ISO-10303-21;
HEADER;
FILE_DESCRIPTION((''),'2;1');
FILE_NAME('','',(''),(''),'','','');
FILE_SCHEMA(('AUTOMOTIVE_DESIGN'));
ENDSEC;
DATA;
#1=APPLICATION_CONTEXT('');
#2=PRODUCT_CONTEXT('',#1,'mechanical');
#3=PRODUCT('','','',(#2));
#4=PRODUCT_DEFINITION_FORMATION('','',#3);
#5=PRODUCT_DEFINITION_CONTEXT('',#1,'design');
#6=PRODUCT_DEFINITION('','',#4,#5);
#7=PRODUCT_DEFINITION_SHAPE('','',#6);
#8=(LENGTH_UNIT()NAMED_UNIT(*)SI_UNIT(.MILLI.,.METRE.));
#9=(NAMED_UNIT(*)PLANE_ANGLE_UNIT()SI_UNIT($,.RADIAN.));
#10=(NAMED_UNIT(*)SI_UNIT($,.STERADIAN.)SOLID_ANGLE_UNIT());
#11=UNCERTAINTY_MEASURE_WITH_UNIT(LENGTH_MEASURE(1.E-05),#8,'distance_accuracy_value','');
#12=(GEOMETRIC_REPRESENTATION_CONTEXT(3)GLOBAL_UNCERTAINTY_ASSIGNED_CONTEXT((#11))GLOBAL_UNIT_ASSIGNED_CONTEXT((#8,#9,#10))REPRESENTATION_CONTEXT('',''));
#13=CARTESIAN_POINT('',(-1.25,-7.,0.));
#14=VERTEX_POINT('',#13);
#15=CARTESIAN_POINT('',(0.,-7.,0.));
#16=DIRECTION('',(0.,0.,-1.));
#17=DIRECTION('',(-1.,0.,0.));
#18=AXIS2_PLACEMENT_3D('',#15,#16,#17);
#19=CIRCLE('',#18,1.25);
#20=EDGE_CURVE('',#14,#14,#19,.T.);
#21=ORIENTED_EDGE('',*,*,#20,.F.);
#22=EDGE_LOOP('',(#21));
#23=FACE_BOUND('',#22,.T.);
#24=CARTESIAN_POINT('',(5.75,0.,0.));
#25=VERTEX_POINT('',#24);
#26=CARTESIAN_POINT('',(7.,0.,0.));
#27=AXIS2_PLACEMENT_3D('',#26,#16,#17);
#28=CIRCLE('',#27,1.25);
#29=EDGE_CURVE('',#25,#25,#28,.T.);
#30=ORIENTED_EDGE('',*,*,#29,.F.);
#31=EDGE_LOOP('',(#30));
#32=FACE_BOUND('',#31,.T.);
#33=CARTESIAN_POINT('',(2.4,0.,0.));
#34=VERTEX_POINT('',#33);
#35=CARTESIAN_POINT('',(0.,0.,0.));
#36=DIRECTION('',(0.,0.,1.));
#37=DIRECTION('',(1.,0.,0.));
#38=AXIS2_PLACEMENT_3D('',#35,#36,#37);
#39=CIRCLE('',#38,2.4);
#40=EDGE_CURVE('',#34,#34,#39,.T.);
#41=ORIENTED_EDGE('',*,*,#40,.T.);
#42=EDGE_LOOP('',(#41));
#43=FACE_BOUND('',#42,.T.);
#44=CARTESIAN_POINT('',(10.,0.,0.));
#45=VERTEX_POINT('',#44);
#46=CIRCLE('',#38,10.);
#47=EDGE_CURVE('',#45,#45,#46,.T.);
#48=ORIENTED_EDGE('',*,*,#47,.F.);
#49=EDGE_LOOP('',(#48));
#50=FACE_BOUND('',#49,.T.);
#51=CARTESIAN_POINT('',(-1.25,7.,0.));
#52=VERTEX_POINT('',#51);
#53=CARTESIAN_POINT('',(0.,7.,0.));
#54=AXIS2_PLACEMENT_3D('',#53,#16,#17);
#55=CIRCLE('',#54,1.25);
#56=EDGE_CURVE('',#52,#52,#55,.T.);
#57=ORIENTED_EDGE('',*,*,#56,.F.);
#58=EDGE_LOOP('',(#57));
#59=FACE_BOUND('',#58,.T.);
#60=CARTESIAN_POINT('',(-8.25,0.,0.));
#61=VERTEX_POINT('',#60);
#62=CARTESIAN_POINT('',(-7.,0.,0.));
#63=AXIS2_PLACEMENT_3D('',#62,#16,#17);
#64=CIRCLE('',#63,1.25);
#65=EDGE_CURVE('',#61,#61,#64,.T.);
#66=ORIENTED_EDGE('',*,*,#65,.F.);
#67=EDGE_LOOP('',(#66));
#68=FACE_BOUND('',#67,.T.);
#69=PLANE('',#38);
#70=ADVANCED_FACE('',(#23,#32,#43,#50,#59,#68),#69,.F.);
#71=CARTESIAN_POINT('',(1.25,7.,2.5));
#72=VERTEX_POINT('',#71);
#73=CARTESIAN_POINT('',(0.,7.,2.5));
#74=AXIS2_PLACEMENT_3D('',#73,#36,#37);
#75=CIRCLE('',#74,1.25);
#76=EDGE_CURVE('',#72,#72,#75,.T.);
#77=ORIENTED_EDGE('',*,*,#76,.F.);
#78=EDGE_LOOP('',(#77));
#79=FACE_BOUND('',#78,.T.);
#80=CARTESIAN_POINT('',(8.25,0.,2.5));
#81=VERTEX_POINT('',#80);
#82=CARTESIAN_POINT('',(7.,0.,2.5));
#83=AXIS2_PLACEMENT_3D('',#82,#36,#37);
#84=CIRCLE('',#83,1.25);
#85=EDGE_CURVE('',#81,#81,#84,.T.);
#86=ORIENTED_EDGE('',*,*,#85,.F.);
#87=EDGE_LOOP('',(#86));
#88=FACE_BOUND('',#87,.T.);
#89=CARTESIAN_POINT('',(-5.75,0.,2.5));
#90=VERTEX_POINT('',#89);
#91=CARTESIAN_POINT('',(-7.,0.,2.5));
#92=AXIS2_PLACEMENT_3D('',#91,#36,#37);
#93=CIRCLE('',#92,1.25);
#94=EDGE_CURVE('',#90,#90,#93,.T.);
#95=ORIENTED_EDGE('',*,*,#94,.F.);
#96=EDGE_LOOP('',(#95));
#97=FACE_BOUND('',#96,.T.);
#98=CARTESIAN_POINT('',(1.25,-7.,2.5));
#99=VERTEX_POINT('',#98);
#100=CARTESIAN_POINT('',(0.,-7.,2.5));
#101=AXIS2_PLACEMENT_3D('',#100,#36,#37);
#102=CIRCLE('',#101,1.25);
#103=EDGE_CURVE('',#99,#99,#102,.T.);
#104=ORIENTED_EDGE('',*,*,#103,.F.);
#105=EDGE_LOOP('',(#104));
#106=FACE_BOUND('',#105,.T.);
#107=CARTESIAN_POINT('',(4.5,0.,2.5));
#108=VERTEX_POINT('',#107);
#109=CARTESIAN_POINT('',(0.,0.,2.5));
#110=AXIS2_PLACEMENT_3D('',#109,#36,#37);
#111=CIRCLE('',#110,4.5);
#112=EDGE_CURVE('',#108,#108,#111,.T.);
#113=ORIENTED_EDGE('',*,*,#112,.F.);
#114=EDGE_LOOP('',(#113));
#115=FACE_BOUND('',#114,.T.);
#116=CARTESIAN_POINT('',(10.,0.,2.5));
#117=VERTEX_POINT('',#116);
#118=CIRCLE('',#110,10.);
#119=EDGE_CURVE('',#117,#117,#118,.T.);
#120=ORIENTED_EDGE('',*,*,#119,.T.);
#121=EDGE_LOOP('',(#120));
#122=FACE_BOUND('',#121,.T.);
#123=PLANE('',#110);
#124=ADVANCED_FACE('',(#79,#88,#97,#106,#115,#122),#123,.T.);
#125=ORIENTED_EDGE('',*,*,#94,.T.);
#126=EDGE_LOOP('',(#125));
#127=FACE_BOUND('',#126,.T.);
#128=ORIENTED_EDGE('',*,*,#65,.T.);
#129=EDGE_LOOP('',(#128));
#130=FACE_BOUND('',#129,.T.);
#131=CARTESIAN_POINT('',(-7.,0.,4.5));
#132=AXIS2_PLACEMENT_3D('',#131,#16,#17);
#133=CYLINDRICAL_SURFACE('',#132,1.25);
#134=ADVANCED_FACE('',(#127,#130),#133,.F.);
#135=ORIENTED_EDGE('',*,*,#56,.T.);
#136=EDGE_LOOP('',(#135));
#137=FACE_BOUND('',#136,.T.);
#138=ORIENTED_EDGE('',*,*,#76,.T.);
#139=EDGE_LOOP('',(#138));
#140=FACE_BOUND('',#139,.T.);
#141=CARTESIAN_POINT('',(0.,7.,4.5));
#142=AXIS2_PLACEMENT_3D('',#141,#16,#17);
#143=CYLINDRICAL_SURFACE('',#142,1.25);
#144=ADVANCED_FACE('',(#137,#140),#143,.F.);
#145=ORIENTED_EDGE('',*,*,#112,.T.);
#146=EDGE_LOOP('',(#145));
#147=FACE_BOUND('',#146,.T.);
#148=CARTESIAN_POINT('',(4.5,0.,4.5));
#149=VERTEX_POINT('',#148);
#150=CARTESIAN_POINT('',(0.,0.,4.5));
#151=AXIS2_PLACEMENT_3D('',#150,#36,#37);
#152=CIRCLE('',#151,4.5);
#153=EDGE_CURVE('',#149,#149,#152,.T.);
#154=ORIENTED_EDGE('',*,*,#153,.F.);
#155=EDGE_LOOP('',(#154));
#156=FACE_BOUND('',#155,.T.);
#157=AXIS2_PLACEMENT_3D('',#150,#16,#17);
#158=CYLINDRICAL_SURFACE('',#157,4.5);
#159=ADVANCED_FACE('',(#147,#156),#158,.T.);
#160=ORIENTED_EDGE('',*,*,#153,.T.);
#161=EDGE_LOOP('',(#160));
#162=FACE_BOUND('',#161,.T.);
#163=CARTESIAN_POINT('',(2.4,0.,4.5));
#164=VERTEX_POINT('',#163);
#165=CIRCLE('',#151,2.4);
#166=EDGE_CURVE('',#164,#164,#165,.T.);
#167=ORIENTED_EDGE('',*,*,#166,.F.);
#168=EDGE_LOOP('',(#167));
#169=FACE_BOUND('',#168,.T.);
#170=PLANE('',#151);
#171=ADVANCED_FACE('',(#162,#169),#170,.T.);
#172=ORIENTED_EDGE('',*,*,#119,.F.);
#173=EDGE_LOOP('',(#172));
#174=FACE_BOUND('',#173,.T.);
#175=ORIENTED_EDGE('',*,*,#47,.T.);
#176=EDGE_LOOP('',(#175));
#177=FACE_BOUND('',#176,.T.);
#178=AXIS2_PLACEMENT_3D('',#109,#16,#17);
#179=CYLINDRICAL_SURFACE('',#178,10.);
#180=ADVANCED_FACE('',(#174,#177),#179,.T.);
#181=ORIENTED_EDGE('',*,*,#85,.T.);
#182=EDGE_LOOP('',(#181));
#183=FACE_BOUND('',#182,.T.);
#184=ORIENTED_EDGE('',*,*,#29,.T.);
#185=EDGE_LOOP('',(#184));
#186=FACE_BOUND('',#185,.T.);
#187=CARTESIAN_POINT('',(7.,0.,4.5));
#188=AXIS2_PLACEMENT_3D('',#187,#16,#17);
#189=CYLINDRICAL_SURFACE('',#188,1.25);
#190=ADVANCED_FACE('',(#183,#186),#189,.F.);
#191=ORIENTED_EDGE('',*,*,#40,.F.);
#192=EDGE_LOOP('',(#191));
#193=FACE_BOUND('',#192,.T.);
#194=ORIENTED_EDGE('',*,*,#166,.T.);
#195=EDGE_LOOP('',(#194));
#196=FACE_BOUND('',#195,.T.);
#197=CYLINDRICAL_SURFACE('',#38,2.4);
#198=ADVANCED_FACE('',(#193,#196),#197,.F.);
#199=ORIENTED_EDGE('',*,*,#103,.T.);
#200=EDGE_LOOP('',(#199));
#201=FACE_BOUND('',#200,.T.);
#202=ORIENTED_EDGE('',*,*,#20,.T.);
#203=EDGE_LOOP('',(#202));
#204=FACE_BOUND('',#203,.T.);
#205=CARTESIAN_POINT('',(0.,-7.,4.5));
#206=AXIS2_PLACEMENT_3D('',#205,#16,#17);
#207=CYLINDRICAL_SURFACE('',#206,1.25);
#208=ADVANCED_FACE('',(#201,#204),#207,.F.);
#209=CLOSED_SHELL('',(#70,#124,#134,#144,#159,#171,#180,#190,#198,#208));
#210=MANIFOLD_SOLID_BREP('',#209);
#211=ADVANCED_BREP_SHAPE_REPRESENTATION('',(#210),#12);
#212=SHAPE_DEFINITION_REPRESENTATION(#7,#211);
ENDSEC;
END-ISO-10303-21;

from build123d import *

# Parameters (mm, degrees)
CROQUIS1_R              = 10
SALIENTE_EXTRUIR1_DEPTH = 2.5
CROQUIS2_R              = 4.5
SALIENTE_EXTRUIR2_DEPTH = 2
CROQUIS3_R              = 2.4
CORTAR_EXTRUIR1_DEPTH   = 15.84082208
CROQUIS4_R              = 1.25
CORTAR_EXTRUIR2_DEPTH   = 15.84082208


with BuildPart() as part:
    # Croquis1 → Saliente-Extruir1 (new body)
    with BuildSketch(Plane.XY):
        Circle(CROQUIS1_R)
    extrude(amount=SALIENTE_EXTRUIR1_DEPTH)

    # Croquis2 → Saliente-Extruir2 (add)
    with BuildSketch(Plane.XY.offset(2.5)):
        Circle(CROQUIS2_R)
    extrude(amount=SALIENTE_EXTRUIR2_DEPTH)

    # Croquis3 → Cortar-Extruir1 (cut, through all)
    with BuildSketch(Plane.XY.offset(4.5)):
        Circle(CROQUIS3_R)
    extrude(amount=-CORTAR_EXTRUIR1_DEPTH, mode=Mode.SUBTRACT)

    # Croquis4 → Cortar-Extruir2 (cut, through all)
    with BuildSketch(Plane(origin=(0, 0, 0), x_dir=(-1, 0, 0), z_dir=(0, 0, -1))):
        with Locations((0, 7)):
            Circle(CROQUIS4_R)
        with Locations((7, 0)):
            Circle(CROQUIS4_R)
        with Locations((0, -7)):
            Circle(CROQUIS4_R)
        with Locations((-7, 0)):
            Circle(CROQUIS4_R)
    extrude(amount=-CORTAR_EXTRUIR2_DEPTH, mode=Mode.SUBTRACT)


solid = part.part
